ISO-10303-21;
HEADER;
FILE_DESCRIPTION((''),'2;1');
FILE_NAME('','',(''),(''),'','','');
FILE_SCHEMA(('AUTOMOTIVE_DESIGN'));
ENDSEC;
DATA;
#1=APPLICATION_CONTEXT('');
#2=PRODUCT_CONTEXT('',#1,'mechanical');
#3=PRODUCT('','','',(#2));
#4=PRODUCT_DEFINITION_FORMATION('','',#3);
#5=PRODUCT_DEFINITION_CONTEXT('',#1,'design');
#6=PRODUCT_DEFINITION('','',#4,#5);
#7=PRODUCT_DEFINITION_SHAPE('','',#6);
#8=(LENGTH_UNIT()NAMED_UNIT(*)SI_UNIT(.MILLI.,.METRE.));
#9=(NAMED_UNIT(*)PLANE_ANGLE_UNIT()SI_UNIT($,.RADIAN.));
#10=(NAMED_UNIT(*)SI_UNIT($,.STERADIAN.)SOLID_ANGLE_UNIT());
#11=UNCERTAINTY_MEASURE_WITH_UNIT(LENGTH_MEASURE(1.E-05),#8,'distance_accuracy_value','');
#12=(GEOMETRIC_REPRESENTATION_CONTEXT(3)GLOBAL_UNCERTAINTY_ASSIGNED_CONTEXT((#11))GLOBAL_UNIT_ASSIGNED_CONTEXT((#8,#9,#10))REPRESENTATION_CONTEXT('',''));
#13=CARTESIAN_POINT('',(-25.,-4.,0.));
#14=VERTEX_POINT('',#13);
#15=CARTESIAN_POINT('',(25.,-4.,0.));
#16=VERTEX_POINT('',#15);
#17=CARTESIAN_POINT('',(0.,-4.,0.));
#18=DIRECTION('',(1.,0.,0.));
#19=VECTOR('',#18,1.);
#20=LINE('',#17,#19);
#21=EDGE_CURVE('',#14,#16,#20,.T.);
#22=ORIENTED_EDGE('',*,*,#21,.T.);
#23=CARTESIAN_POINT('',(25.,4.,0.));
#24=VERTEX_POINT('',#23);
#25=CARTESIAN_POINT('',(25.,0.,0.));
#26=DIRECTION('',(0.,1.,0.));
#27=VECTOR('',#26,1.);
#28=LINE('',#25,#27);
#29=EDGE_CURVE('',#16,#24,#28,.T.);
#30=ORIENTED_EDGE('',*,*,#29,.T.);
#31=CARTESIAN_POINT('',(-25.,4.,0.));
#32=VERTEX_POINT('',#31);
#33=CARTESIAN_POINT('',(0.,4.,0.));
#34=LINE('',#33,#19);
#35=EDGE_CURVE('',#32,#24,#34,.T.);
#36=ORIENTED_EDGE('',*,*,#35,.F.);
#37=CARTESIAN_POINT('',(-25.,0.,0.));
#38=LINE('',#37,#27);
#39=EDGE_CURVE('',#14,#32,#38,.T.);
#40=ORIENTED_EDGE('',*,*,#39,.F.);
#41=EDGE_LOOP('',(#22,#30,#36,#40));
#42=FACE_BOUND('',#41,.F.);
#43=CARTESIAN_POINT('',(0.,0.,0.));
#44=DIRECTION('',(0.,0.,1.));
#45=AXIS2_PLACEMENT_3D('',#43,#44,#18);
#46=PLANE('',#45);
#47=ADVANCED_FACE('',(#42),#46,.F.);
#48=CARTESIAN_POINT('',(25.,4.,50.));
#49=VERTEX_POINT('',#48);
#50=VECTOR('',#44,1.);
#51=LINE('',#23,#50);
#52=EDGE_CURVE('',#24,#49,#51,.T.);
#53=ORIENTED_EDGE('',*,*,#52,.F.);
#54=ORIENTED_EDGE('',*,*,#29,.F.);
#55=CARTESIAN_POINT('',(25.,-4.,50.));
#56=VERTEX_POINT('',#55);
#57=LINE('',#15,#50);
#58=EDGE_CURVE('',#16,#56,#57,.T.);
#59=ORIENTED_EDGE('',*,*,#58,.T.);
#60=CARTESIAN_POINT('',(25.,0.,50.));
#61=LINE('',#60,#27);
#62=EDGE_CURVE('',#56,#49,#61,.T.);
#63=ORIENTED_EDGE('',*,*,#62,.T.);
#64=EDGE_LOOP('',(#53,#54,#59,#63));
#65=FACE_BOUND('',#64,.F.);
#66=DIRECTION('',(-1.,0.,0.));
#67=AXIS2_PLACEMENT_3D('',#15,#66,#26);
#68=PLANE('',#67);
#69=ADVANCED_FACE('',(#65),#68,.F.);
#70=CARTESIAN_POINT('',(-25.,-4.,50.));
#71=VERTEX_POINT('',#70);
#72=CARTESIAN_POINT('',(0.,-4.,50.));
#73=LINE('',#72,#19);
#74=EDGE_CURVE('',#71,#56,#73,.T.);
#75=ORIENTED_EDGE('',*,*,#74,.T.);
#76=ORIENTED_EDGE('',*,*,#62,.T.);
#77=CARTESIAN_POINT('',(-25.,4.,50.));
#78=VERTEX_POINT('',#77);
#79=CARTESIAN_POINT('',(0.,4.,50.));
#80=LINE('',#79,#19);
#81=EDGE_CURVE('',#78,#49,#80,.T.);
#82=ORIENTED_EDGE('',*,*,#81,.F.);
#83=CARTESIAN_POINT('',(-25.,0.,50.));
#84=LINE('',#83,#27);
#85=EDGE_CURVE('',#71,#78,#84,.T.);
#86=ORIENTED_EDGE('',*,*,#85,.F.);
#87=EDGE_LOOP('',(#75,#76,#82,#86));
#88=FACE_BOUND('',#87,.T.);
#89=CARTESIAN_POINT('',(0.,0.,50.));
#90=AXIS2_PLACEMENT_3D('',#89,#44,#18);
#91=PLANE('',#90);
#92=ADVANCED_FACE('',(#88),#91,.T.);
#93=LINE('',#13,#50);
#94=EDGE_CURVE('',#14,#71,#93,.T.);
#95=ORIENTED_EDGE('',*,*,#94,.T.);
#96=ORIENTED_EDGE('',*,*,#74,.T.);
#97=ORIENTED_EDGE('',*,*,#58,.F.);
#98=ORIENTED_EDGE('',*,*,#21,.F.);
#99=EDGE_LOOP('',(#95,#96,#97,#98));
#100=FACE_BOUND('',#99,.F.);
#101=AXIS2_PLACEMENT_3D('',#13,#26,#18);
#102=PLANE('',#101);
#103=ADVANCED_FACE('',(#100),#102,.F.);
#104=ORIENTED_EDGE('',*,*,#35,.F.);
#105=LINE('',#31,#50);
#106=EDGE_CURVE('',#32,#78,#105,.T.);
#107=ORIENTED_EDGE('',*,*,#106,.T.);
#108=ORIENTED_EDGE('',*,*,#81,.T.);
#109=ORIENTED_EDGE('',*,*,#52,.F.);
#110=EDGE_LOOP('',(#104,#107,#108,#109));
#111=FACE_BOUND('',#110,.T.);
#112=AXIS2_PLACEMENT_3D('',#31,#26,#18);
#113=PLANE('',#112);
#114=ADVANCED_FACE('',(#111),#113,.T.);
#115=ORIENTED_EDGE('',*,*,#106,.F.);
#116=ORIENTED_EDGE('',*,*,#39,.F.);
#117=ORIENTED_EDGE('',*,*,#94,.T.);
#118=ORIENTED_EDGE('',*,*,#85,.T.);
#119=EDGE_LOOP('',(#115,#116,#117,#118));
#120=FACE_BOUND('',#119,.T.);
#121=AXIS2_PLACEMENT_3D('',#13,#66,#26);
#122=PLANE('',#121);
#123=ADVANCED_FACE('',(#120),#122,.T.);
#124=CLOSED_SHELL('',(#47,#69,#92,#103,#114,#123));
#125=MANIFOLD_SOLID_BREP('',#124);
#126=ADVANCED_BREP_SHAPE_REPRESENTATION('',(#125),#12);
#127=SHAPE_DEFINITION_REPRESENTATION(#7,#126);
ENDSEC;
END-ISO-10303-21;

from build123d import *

# Parameters (mm, degrees)
SKETCH_W      = 50
SKETCH_H      = 8
EXTRUDE_DEPTH = 50


with BuildPart() as part:
    # Sketch → Extrude (new body)
    with BuildSketch(Plane.XY):
        Rectangle(SKETCH_W, SKETCH_H)
    extrude(amount=EXTRUDE_DEPTH)


solid = part.part
